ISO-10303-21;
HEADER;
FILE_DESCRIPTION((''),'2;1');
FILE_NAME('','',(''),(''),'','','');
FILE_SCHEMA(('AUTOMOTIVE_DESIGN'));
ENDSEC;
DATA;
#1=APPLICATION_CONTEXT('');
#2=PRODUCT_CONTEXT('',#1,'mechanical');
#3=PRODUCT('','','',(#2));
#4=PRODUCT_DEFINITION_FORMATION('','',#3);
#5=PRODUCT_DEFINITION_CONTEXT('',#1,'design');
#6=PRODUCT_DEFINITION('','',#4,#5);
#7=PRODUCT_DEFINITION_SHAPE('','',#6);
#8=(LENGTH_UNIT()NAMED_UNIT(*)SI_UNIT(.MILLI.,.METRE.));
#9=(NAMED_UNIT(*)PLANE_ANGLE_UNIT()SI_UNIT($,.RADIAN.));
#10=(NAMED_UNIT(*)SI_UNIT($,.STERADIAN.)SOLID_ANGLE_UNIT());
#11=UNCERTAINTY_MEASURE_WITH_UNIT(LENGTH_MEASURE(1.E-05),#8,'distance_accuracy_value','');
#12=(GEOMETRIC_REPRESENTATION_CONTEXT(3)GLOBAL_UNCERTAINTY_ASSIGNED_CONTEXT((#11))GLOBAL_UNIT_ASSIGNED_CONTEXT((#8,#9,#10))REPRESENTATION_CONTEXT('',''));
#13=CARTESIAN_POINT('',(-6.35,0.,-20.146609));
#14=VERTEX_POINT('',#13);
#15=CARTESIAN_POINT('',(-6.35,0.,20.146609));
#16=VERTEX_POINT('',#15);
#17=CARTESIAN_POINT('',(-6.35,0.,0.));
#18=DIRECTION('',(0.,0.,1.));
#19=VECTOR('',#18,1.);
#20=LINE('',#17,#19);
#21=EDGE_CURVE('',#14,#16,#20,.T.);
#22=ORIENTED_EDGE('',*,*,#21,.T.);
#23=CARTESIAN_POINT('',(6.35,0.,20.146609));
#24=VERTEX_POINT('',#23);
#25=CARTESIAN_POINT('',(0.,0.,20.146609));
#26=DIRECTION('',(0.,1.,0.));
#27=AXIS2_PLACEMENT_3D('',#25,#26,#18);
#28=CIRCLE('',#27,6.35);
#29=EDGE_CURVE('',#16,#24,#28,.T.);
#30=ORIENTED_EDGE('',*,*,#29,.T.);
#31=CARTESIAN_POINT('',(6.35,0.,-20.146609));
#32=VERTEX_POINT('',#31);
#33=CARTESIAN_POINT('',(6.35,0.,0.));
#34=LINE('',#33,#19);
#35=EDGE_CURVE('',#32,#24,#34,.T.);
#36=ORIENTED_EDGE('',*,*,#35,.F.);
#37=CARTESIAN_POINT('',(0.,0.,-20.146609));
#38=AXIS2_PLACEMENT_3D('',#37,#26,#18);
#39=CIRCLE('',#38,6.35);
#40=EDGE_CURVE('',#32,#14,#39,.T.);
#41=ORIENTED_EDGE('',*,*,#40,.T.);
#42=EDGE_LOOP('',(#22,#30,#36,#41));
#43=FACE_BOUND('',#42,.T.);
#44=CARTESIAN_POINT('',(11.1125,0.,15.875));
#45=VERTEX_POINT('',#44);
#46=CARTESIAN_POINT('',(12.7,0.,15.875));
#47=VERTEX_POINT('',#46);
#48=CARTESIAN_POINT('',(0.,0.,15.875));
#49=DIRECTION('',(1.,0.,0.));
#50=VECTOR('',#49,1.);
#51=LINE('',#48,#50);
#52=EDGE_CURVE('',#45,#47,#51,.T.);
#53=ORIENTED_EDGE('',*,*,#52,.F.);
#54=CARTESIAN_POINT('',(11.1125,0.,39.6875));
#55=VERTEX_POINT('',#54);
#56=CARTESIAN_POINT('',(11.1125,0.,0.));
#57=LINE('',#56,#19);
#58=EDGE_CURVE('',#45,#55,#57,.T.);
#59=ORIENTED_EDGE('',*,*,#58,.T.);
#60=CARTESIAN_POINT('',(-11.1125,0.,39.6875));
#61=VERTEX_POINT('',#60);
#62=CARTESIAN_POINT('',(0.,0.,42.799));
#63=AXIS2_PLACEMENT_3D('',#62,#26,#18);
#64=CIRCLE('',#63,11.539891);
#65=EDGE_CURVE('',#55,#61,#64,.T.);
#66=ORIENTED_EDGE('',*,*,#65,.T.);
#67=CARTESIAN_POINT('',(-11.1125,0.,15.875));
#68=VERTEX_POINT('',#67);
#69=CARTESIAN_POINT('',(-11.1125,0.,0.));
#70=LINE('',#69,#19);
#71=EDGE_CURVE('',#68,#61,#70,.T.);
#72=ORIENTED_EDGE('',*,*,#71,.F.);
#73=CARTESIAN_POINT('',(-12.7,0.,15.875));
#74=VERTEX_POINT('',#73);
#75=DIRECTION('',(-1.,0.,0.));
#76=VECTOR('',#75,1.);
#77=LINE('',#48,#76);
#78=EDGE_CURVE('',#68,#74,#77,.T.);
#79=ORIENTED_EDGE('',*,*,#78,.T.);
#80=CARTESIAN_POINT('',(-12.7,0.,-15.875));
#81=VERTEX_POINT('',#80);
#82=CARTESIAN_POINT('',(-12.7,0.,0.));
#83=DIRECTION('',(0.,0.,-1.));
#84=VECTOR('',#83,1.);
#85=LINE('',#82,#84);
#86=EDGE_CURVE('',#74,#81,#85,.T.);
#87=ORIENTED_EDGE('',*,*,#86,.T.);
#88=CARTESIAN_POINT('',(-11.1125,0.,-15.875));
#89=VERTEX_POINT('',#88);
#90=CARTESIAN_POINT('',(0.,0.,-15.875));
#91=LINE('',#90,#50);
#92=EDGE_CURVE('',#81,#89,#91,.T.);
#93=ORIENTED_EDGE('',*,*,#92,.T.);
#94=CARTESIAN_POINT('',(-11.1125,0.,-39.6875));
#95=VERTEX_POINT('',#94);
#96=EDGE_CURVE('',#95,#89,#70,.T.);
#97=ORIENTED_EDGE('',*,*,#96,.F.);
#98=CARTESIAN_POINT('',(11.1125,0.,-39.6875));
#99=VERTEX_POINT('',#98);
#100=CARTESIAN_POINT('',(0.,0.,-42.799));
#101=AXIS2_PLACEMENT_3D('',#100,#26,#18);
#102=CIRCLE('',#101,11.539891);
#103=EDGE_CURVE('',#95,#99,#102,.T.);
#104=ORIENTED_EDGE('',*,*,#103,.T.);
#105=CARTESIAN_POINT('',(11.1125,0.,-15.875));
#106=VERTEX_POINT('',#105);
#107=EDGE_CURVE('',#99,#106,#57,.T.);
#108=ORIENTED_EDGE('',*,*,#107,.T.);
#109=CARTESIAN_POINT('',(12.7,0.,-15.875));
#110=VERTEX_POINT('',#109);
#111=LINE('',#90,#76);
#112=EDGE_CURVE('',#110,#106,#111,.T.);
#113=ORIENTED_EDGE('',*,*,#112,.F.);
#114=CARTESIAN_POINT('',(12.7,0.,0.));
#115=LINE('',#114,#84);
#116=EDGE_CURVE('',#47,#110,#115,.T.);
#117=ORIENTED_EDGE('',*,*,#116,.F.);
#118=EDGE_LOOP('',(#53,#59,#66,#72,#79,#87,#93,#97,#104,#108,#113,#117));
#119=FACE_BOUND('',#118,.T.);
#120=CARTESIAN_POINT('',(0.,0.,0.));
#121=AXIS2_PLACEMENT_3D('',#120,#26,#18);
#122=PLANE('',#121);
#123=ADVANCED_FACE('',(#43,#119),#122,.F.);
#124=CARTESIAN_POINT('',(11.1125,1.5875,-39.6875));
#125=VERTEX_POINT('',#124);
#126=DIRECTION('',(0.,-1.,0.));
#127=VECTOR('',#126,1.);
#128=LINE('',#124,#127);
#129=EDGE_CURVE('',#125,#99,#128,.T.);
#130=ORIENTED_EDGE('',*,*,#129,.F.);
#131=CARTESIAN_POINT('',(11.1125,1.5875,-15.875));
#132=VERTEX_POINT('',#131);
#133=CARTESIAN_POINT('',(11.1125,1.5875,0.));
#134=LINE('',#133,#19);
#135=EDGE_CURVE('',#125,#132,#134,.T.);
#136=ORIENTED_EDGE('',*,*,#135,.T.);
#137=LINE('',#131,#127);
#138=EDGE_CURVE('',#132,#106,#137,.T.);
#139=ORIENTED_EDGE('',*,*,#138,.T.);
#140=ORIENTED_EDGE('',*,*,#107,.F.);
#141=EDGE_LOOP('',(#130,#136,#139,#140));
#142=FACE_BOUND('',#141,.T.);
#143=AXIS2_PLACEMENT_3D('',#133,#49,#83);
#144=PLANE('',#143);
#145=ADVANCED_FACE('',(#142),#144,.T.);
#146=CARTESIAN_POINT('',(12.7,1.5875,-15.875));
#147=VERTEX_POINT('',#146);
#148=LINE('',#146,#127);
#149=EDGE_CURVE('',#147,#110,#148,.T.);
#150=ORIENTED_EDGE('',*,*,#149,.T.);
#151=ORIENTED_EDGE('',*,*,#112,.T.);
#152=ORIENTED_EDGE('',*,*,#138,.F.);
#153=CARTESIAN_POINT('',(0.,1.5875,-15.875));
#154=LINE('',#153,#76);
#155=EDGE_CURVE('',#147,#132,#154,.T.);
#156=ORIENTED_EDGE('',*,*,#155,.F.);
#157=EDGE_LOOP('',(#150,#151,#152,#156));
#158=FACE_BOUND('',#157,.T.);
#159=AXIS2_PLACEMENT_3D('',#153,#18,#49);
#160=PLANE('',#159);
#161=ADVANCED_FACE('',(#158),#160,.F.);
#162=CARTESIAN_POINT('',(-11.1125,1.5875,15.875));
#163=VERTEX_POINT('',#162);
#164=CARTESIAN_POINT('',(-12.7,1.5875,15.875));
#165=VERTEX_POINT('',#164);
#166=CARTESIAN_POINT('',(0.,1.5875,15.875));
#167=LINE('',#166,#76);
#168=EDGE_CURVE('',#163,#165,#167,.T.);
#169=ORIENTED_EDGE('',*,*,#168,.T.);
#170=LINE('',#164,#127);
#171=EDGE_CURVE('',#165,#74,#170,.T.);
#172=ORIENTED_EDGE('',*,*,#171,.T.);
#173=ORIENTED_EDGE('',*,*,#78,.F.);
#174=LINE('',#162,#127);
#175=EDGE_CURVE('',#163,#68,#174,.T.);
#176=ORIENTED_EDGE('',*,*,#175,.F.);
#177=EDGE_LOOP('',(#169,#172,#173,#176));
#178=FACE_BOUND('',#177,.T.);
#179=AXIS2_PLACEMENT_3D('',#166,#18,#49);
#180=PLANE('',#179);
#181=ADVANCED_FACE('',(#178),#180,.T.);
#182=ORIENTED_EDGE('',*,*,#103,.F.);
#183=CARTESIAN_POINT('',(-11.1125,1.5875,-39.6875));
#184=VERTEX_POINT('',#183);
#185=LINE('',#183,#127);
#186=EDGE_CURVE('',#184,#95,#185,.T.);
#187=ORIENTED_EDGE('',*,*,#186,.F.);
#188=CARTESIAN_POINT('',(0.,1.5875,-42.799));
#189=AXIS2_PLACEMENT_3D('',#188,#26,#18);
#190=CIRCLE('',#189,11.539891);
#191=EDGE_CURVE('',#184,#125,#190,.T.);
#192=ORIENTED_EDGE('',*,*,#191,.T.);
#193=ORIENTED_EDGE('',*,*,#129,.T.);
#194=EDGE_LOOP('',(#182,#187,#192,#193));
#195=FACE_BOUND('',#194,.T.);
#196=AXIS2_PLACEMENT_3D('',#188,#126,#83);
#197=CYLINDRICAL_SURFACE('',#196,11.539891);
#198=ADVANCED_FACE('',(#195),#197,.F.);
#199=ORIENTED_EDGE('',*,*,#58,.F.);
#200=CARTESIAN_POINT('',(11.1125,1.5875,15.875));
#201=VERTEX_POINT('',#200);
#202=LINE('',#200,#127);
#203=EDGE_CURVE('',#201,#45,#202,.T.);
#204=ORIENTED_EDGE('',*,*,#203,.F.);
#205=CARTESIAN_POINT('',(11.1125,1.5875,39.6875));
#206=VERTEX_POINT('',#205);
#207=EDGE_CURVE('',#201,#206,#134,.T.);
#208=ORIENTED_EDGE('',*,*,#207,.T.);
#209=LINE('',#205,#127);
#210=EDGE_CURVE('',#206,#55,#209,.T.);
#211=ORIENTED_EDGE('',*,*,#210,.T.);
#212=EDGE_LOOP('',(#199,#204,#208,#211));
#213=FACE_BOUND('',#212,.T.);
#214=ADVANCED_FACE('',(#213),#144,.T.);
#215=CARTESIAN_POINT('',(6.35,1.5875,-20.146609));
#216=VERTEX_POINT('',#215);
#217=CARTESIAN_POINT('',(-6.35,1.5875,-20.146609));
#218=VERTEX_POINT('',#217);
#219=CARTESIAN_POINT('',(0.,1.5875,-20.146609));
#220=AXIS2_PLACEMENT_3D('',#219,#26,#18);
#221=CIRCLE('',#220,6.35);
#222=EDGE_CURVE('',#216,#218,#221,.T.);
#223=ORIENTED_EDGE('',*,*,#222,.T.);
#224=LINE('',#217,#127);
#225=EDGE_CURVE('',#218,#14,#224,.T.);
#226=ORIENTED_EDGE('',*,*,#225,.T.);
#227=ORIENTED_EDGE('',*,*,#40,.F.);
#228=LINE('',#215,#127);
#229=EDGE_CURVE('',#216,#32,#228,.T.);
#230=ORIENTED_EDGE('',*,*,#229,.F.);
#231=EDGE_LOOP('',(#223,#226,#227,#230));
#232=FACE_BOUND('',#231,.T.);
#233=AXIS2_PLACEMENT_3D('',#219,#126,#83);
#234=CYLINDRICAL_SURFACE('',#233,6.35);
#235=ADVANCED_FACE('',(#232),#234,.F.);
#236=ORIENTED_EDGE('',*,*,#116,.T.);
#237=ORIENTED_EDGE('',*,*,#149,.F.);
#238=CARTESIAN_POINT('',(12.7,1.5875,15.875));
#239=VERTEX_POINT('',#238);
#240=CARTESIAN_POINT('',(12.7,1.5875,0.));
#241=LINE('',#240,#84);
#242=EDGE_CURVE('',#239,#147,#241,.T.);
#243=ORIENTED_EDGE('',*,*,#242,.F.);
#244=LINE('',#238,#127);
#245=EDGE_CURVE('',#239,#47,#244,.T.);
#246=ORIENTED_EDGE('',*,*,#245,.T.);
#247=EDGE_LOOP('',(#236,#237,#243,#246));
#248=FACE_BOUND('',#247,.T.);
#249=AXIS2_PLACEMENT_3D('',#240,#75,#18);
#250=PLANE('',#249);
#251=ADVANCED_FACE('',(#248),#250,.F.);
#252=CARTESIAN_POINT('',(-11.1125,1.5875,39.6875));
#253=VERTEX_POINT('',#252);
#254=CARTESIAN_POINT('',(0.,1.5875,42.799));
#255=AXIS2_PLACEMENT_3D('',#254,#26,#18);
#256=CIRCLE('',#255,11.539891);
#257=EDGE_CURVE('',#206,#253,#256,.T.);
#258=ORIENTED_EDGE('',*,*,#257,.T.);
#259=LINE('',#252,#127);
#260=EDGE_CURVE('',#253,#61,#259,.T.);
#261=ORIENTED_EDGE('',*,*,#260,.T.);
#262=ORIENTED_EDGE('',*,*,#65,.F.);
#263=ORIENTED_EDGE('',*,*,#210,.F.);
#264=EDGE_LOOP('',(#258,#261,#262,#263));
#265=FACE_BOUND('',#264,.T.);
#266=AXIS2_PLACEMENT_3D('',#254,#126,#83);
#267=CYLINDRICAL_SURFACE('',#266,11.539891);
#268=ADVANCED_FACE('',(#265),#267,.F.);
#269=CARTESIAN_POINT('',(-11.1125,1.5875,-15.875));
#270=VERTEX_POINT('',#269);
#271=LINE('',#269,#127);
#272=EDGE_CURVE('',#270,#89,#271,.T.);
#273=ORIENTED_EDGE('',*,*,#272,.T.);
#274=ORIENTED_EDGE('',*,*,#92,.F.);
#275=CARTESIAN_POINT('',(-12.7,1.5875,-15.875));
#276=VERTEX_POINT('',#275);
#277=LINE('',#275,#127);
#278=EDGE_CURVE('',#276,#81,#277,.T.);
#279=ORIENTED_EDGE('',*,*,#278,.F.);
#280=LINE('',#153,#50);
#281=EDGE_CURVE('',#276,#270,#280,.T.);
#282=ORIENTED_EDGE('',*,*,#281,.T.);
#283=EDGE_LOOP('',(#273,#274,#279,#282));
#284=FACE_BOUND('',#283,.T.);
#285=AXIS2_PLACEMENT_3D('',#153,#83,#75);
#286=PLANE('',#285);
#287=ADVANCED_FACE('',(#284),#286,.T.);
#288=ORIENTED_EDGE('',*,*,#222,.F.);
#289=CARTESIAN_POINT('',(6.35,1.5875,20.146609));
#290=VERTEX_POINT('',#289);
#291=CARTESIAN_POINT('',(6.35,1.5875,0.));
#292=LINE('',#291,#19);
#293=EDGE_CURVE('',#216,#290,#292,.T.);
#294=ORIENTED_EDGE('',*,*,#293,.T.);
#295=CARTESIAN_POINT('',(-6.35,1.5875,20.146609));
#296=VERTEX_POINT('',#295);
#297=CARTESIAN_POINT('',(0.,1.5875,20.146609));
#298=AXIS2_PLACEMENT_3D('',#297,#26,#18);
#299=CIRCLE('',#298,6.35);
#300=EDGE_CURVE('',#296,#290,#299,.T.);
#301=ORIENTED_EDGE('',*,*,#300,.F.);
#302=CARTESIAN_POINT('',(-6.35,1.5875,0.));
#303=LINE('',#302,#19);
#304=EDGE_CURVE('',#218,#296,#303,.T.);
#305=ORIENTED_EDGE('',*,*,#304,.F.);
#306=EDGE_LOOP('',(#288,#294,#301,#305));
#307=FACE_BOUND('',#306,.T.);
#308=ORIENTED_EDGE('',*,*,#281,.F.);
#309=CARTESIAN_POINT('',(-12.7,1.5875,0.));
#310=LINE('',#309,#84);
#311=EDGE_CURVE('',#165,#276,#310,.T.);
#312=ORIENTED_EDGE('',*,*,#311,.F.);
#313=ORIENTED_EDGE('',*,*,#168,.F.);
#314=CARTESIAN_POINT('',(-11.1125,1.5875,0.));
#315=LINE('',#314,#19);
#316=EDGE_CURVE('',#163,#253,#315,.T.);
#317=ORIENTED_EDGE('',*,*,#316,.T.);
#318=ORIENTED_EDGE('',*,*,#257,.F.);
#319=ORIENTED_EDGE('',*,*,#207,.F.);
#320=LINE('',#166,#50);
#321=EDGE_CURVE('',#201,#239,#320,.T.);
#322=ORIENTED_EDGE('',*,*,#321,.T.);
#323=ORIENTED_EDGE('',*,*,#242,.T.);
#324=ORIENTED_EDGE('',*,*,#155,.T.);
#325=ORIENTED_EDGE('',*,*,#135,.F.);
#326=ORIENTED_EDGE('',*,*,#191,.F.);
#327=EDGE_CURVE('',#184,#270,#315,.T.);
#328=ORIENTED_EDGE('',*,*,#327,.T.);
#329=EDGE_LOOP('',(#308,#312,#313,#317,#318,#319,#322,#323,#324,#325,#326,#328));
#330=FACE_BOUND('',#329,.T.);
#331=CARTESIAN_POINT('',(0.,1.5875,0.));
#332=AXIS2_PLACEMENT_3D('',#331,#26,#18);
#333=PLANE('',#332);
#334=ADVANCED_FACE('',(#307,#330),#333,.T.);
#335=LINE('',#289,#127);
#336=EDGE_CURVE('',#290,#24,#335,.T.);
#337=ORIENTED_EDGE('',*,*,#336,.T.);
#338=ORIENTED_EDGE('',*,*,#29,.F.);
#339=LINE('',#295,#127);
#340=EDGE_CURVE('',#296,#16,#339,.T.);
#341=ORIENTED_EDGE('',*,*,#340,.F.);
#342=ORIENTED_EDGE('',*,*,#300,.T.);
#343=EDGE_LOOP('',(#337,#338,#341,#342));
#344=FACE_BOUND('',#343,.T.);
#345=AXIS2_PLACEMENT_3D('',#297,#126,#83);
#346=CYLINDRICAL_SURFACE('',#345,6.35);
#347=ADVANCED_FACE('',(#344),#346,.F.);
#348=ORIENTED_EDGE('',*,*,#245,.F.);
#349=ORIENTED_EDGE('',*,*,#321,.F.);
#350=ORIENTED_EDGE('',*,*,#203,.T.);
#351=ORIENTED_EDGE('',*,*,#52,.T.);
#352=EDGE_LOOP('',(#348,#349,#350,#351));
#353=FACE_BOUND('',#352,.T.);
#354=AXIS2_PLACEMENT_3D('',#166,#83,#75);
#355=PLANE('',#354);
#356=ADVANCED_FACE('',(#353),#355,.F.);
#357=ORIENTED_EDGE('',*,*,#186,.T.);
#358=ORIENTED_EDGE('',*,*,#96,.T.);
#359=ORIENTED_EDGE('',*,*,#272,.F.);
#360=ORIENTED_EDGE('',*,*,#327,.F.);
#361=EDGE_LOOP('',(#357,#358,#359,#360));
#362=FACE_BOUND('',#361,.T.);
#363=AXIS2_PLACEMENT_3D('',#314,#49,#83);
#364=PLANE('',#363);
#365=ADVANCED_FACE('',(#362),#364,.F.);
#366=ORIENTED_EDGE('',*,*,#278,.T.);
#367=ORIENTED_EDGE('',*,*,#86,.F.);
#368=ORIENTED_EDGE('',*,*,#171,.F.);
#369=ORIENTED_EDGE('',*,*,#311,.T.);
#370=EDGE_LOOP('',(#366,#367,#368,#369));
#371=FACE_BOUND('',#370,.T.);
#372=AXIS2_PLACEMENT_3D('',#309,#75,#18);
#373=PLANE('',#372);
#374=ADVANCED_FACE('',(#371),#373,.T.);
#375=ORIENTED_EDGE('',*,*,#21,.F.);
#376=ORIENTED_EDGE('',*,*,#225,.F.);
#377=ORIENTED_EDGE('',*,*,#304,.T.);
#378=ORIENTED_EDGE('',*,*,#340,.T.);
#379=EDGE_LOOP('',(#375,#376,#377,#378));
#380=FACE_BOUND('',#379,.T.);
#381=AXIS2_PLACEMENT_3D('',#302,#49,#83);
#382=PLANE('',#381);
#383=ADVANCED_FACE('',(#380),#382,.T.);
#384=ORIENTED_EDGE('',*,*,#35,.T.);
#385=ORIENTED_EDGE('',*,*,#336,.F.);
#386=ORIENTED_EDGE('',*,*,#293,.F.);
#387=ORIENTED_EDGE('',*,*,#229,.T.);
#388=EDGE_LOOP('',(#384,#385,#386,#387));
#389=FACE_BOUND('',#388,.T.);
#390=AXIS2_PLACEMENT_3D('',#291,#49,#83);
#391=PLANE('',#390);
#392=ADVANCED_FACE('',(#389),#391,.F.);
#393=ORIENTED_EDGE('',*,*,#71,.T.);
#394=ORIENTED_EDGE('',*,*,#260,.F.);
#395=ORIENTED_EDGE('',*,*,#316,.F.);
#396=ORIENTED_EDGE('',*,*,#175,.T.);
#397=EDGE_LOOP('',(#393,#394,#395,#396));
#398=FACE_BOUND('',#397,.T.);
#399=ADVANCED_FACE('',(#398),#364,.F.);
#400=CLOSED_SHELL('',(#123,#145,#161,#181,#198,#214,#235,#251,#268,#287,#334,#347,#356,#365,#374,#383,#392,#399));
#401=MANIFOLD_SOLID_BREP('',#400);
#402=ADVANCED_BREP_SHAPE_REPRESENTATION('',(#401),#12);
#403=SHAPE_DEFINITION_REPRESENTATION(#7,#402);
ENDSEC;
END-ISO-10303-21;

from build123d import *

# Parameters (mm, degrees)
SKETCH1_W           = 1.5875
SKETCH1_H           = 31.75
BOSS_EXTRUDE1_DEPTH = 1.5875


with BuildPart() as part:
    # Sketch1 → Boss-Extrude1 (new body)
    # profile 1 of 3: a face of its own
    with BuildSketch(Plane(origin=(0, 0, 0), x_dir=(1, 0, 0), z_dir=(0, 1, 0))):
        with BuildLine():
            Line((11.1125, -39.6875), (11.1125, -15.875))
            Line((11.1125, -15.875), (11.1125, 15.875))
            Line((11.1125, 15.875), (11.1125, 39.6875))
            ThreePointArc((11.1125, 39.6875), (0, 31.259108818), (-11.1125, 39.6875))
            Line((-11.1125, 39.6875), (-11.1125, 15.875))
            Line((-11.1125, 15.875), (-11.1125, -15.875))
            Line((-11.1125, -15.875), (-11.1125, -39.6875))
            ThreePointArc((-11.1125, -39.6875), (0, -31.259108818), (11.1125, -39.6875))
        make_face()
        with BuildLine():
            ThreePointArc((-6.35, 20.146608818), (0, 26.496608818), (6.35, 20.146608818))
            Line((6.35, 20.146608818), (6.35, -20.146608818))
            ThreePointArc((6.35, -20.146608818), (0, -26.496608818), (-6.35, -20.146608818))
            Line((-6.35, -20.146608818), (-6.35, 20.146608818))
        make_face(mode=Mode.SUBTRACT)
    # profile 2 of 3: a face of its own
    with BuildSketch(Plane(origin=(0, 0, 0), x_dir=(1, 0, 0), z_dir=(0, 1, 0))):
        with Locations((-11.90625, 0)):
            Rectangle(SKETCH1_W, SKETCH1_H)
    # profile 3 of 3: a face of its own
    with BuildSketch(Plane(origin=(0, 0, 0), x_dir=(1, 0, 0), z_dir=(0, 1, 0))):
        with Locations((11.90625, 0)):
            Rectangle(SKETCH1_W, SKETCH1_H)
    extrude(amount=BOSS_EXTRUDE1_DEPTH)


solid = part.part
